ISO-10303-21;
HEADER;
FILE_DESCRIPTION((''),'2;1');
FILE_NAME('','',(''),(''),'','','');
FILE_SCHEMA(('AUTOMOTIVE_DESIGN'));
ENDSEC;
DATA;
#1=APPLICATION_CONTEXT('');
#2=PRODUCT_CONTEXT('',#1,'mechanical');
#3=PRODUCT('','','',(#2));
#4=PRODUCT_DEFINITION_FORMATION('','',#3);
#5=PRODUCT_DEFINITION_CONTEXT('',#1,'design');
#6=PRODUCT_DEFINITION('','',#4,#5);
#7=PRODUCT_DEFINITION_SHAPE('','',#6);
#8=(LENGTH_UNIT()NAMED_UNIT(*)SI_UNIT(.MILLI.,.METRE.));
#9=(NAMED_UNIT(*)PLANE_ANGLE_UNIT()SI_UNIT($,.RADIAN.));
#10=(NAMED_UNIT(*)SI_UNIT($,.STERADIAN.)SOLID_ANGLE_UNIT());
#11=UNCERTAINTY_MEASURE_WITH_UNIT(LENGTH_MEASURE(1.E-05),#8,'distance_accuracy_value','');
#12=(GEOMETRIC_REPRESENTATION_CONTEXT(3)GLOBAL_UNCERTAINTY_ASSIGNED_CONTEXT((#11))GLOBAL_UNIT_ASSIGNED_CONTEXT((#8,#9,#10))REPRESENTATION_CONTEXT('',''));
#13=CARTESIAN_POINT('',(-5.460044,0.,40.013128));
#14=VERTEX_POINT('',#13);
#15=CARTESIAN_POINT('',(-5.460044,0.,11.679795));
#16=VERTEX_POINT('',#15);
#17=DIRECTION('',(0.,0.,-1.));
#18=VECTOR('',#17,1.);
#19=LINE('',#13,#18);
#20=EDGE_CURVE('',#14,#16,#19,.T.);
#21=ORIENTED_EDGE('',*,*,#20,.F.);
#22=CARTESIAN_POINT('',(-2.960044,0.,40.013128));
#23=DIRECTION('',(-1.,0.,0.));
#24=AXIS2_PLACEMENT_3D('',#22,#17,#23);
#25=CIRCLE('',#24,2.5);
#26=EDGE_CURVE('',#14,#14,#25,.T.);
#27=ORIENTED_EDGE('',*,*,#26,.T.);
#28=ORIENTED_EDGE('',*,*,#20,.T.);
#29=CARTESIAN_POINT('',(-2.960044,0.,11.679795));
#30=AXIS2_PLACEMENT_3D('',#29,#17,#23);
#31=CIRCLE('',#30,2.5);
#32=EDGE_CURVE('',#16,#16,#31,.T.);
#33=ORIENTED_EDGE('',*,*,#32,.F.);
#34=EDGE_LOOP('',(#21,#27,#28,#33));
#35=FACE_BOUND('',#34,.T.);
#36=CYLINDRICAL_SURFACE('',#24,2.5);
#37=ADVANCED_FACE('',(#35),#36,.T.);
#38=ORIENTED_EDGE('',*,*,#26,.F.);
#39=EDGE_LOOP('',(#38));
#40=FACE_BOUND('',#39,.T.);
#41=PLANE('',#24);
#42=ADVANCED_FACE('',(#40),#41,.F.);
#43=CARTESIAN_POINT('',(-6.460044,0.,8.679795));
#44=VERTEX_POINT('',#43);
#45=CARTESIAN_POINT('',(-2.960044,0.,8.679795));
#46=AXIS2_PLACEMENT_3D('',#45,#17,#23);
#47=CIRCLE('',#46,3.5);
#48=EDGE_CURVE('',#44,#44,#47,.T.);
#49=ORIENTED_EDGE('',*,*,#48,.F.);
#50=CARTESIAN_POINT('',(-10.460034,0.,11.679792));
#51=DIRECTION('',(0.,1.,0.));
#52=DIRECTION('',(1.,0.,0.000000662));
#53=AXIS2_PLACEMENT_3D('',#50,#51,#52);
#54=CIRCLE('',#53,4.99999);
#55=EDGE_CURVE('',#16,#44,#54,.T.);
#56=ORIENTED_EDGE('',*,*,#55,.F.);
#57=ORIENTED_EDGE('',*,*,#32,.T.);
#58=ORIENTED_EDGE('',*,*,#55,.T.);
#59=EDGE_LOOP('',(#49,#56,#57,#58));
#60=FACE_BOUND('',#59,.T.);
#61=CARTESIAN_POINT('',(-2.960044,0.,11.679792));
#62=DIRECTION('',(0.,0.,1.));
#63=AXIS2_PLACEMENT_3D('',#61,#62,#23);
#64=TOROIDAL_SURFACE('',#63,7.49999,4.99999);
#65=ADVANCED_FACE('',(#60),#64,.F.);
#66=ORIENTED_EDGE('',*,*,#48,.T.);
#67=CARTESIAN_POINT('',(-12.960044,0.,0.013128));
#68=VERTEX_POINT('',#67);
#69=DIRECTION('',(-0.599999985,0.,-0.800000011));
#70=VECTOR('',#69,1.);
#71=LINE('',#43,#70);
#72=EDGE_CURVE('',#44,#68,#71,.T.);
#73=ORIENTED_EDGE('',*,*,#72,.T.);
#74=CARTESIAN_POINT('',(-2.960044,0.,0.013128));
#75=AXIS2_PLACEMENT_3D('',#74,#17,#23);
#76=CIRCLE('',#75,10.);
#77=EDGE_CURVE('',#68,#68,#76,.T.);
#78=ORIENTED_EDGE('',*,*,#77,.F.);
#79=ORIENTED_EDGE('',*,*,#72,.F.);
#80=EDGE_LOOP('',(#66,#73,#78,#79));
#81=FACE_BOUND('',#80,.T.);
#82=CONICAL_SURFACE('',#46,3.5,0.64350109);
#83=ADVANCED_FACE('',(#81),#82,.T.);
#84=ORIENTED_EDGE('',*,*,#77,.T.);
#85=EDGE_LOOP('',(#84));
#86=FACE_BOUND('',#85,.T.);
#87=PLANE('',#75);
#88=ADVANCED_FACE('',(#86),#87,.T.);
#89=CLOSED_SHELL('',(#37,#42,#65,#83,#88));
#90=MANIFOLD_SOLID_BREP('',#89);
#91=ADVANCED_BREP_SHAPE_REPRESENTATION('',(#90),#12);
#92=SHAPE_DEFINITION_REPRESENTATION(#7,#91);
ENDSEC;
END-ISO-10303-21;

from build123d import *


with BuildPart() as f1:
    # F0 (on Front) → F1 (revolve)
    with BuildSketch(Plane.XZ):
        with BuildLine():
            Line((-2.960044, 10.013128), (-2.960044, 40.013128))
            Line((-2.960044, 40.013128), (-5.460044, 40.013128))
            Line((-5.460044, 40.013128), (-5.460044, 11.679795))
            ThreePointArc((-5.460044, 11.679795), (-5.716627, 10.098656), (-6.460044, 8.679795))
            Line((-6.460044, 8.679795), (-12.960044, 0.013128))
            Line((-12.960044, 0.013128), (-2.960044, 0.013128))
            Line((-2.960044, 0.013128), (-2.960044, 10.013128))
        make_face()
    revolve(axis=Axis((-2.960044, 0, 25.013128), (0, 0, -1)))


solid = f1.part
